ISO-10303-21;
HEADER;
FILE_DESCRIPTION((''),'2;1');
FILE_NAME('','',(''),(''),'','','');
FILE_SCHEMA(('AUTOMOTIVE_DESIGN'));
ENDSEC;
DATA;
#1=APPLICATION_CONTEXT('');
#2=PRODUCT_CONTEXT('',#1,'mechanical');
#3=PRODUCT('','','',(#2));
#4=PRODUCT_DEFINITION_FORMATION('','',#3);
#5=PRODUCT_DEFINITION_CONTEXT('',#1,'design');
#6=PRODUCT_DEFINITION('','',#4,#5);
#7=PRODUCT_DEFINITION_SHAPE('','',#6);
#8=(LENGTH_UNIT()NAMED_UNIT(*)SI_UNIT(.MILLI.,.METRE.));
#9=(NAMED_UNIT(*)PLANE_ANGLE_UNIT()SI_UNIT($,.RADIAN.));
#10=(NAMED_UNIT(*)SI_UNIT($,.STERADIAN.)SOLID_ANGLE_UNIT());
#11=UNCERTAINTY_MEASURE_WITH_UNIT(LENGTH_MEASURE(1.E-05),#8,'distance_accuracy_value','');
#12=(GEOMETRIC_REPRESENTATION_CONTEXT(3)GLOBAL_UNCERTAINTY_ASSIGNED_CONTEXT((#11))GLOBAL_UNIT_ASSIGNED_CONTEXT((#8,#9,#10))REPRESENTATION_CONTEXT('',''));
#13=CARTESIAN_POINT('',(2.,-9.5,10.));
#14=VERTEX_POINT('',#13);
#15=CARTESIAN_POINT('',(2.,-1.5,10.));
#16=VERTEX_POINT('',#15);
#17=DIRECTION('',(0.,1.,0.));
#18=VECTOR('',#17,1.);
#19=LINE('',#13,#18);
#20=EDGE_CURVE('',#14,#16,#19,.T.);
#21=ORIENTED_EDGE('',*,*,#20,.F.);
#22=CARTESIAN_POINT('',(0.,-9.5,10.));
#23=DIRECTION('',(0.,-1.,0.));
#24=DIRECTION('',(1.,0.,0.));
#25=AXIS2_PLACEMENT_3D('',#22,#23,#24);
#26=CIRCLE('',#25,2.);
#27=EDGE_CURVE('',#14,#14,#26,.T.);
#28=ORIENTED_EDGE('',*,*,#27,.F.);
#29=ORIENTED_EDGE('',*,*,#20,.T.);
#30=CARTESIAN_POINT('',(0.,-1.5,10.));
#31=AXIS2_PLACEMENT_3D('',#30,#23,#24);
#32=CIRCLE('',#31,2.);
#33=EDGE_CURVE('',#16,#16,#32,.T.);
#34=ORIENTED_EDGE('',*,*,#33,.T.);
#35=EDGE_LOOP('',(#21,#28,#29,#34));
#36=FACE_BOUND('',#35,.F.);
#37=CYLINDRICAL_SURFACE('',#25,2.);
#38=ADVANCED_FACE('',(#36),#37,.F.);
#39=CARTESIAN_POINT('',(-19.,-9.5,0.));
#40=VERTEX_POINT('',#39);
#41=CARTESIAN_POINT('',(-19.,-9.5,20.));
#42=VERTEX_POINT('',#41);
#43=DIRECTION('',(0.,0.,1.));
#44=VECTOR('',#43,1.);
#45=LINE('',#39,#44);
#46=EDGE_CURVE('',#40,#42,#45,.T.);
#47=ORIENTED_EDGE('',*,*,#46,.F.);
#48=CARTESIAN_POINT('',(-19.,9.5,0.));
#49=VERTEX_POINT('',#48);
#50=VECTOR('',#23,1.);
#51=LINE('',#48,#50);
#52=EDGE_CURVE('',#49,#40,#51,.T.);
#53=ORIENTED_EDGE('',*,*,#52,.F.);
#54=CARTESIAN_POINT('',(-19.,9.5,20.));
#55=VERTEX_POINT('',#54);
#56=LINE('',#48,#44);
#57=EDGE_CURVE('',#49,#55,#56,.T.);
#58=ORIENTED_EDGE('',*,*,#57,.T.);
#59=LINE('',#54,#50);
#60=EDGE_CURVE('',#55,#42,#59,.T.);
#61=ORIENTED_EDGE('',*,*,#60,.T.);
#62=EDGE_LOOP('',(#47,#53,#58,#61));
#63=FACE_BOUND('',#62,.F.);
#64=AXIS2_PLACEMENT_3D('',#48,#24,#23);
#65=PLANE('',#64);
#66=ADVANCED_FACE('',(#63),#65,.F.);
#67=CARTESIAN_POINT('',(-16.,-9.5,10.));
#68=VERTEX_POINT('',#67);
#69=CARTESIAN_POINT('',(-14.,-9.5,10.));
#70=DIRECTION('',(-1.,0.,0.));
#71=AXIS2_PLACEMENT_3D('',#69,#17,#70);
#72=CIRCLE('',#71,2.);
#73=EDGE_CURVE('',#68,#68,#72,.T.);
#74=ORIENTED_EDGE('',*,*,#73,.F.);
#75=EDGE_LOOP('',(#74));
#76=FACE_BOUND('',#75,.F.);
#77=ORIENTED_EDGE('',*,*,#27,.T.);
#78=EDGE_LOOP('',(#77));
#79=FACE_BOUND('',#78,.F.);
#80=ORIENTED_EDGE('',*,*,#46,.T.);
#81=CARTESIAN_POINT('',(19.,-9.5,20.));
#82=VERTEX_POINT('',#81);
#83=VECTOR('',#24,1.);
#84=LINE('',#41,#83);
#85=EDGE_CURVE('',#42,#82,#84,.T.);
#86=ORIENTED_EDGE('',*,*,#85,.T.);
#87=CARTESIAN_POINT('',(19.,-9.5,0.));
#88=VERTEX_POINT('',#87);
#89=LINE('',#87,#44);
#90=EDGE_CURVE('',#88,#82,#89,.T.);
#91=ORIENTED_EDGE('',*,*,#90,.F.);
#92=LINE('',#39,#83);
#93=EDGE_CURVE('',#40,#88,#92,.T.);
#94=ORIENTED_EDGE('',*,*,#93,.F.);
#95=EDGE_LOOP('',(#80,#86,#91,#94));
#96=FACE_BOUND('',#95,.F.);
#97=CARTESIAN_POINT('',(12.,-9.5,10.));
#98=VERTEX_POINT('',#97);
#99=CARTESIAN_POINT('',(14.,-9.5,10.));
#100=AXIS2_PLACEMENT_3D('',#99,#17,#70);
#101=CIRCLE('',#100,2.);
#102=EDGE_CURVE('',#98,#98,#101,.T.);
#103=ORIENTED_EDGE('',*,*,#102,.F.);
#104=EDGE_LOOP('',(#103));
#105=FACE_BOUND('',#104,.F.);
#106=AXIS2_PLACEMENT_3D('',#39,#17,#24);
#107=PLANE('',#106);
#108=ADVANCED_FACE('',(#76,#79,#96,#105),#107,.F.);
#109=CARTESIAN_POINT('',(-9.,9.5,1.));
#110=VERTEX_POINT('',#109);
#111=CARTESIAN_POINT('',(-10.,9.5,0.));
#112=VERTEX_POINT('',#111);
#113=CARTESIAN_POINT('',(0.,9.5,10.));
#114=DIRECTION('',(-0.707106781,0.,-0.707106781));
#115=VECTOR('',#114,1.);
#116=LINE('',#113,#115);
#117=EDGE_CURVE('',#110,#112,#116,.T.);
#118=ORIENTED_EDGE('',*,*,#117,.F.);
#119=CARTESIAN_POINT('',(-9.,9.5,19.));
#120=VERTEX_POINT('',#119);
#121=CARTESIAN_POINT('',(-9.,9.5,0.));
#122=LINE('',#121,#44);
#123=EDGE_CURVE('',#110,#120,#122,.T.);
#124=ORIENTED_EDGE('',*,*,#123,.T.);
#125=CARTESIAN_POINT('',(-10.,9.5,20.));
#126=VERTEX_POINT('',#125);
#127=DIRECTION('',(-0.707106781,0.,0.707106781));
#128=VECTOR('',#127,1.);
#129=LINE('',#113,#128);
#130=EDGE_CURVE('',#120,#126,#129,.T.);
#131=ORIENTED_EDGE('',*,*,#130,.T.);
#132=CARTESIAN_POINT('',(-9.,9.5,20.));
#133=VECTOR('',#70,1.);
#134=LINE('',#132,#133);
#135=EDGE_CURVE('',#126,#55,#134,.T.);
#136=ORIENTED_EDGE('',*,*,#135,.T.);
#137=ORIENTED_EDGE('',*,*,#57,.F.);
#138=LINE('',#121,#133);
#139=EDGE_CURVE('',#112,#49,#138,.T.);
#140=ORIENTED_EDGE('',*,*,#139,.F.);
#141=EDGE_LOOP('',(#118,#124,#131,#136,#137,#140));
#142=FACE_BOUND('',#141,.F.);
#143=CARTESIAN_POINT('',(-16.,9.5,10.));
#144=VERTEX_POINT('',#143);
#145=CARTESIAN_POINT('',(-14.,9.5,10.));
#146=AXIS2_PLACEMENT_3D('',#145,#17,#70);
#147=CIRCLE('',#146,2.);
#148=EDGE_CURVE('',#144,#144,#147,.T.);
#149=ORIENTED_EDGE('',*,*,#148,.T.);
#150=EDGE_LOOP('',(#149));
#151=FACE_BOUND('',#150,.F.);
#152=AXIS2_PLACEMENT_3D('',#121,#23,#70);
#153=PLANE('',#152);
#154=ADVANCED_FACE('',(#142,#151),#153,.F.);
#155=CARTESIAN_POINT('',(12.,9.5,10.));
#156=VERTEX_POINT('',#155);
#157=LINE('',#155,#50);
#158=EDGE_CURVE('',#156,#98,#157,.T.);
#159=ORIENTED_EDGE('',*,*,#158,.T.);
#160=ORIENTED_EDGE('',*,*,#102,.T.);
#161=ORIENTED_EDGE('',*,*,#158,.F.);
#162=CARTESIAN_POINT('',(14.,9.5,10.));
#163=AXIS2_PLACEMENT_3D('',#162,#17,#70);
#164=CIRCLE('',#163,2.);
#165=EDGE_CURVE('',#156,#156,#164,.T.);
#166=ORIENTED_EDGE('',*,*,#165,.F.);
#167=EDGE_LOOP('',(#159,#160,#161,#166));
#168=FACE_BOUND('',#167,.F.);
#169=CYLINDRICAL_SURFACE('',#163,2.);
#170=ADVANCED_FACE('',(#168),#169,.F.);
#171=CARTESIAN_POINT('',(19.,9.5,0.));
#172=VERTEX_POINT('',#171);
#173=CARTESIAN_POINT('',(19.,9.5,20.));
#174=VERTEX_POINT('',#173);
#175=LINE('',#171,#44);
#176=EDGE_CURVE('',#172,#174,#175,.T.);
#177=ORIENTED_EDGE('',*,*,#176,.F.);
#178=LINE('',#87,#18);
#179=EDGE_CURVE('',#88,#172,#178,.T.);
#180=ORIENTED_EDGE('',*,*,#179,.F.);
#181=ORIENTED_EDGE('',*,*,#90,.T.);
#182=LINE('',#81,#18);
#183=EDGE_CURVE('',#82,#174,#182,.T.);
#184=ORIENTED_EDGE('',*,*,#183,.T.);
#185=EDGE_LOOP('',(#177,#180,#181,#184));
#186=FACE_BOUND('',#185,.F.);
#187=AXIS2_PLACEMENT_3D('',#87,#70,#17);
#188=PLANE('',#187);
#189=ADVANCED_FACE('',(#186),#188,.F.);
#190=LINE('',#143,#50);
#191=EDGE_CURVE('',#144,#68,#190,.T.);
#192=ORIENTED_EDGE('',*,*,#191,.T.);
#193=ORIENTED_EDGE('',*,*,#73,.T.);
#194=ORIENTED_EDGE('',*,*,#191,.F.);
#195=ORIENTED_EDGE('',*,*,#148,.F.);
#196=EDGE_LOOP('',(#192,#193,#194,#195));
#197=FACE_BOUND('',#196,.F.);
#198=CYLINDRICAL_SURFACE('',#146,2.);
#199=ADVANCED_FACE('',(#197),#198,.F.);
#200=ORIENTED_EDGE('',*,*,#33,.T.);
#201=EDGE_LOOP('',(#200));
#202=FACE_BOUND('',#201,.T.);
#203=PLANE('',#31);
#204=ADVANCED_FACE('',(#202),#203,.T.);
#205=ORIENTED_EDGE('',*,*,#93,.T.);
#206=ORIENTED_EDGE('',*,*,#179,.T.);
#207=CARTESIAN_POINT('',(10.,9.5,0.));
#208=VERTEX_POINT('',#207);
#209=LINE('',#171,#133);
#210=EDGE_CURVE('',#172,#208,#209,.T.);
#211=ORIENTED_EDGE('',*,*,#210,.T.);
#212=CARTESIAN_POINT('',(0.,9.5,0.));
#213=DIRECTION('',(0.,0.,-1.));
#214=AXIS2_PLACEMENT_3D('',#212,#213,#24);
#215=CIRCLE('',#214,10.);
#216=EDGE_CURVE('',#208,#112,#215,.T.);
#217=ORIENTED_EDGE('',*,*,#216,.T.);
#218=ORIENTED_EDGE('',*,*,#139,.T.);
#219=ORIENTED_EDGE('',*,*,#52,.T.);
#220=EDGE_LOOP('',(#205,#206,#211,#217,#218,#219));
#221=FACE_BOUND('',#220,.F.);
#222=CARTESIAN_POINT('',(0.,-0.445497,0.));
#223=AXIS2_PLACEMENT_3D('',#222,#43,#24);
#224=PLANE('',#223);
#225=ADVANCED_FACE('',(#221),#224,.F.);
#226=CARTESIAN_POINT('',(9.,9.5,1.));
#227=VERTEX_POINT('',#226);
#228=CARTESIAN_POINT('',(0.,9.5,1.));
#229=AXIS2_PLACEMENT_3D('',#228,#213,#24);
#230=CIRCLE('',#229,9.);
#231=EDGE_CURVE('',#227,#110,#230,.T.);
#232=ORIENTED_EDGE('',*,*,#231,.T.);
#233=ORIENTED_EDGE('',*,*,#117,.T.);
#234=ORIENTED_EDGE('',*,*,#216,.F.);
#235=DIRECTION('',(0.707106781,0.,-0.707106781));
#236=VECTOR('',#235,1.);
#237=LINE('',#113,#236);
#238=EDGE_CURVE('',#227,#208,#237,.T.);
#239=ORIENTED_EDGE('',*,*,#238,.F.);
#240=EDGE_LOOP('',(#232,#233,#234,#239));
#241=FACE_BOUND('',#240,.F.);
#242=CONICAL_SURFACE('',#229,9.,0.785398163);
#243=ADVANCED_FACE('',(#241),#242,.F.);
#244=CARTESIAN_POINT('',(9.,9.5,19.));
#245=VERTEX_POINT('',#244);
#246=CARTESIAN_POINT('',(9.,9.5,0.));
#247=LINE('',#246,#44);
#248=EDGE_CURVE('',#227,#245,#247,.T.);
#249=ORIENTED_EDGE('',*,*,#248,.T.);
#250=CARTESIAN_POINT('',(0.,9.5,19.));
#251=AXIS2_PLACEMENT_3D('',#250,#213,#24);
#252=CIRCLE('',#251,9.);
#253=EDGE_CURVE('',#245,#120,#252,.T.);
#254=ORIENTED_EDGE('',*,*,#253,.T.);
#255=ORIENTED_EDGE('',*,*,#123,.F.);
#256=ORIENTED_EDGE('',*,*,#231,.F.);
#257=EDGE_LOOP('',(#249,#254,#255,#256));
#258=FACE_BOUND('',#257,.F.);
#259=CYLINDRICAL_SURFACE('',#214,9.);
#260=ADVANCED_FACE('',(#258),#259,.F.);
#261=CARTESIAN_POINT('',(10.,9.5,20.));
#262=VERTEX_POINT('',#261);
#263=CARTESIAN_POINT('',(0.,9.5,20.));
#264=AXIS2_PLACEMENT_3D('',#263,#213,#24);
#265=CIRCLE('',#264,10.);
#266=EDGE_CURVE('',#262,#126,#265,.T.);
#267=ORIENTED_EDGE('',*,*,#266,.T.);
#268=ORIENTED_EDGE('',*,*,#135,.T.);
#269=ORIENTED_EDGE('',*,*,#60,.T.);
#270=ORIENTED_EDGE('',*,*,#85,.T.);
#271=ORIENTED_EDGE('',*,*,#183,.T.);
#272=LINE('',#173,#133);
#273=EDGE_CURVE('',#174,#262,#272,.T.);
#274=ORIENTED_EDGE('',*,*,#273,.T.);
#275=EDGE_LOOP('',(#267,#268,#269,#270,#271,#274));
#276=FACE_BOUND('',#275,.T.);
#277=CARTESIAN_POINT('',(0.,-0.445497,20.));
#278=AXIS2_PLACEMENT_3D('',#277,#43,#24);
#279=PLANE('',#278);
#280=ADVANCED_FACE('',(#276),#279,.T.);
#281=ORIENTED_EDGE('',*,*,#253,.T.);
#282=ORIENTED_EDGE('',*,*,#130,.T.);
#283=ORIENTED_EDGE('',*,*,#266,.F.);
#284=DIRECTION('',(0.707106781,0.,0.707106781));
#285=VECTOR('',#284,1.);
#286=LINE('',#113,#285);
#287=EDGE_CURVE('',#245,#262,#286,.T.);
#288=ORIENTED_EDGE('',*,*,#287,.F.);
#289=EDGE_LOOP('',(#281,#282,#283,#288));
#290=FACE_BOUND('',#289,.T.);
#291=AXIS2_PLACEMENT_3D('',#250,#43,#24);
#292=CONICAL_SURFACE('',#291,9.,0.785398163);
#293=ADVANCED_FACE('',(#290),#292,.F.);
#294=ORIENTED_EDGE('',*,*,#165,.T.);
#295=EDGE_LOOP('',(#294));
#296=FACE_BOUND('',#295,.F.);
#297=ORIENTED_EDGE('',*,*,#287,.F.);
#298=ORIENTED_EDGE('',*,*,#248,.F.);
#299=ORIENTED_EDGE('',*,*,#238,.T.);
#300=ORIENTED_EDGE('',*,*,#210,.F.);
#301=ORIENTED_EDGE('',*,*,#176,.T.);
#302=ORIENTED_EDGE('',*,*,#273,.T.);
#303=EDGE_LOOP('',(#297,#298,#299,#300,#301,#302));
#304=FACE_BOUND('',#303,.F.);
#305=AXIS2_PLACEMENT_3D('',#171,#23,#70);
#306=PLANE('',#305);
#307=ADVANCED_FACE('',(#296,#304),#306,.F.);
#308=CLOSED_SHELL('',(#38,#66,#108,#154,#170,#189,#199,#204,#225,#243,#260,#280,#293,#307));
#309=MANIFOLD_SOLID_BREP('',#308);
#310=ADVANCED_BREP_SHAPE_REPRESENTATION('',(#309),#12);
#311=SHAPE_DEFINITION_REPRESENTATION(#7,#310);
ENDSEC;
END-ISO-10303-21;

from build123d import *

# Parameters (mm, degrees)
F1_DEPTH = 20
F2_R     = 2
F3_DEPTH = 19.001
F4_R     = 2
F5_DEPTH = 8
F6_SIZE  = 1


with BuildPart() as f1:
    # F0 (on Top) → F1 (new body)
    with BuildSketch(Plane.XY):
        with BuildLine():
            Line((-9, 9.5), (-19, 9.5))
            Line((-19, 9.5), (-19, -9.5))
            Line((-19, -9.5), (19, -9.5))
            Line((19, -9.5), (19, 9.5))
            Line((19, 9.5), (9, 9.5))
            ThreePointArc((9, 9.5), (0, 0.5), (-9, 9.5))
        make_face()
    extrude(amount=F1_DEPTH)

    # F2 (on face) → F3 (cut, through all)
    with BuildSketch(Plane(origin=(0, 9.5, 0), x_dir=(-1, 0, 0), z_dir=(0, 1, 0))):
        with Locations((-14, 10)):
            Circle(F2_R)
        with Locations((14, 10)):
            Circle(F2_R)
    extrude(amount=-F3_DEPTH, mode=Mode.SUBTRACT)

    # F4 (on face) → F5 (cut)
    with BuildSketch(Plane.XZ.offset(9.5)):
        with Locations((0, 10)):
            Circle(F4_R)
    extrude(amount=-F5_DEPTH, mode=Mode.SUBTRACT)

    # F6
    f6_edges = [f1.edges().sort_by_distance(p)[0] for p in [
        (0, 0.5, 0),
        (0, 0.5, 20),
    ]]
    chamfer(f6_edges, length=F6_SIZE)


solid = f1.part
